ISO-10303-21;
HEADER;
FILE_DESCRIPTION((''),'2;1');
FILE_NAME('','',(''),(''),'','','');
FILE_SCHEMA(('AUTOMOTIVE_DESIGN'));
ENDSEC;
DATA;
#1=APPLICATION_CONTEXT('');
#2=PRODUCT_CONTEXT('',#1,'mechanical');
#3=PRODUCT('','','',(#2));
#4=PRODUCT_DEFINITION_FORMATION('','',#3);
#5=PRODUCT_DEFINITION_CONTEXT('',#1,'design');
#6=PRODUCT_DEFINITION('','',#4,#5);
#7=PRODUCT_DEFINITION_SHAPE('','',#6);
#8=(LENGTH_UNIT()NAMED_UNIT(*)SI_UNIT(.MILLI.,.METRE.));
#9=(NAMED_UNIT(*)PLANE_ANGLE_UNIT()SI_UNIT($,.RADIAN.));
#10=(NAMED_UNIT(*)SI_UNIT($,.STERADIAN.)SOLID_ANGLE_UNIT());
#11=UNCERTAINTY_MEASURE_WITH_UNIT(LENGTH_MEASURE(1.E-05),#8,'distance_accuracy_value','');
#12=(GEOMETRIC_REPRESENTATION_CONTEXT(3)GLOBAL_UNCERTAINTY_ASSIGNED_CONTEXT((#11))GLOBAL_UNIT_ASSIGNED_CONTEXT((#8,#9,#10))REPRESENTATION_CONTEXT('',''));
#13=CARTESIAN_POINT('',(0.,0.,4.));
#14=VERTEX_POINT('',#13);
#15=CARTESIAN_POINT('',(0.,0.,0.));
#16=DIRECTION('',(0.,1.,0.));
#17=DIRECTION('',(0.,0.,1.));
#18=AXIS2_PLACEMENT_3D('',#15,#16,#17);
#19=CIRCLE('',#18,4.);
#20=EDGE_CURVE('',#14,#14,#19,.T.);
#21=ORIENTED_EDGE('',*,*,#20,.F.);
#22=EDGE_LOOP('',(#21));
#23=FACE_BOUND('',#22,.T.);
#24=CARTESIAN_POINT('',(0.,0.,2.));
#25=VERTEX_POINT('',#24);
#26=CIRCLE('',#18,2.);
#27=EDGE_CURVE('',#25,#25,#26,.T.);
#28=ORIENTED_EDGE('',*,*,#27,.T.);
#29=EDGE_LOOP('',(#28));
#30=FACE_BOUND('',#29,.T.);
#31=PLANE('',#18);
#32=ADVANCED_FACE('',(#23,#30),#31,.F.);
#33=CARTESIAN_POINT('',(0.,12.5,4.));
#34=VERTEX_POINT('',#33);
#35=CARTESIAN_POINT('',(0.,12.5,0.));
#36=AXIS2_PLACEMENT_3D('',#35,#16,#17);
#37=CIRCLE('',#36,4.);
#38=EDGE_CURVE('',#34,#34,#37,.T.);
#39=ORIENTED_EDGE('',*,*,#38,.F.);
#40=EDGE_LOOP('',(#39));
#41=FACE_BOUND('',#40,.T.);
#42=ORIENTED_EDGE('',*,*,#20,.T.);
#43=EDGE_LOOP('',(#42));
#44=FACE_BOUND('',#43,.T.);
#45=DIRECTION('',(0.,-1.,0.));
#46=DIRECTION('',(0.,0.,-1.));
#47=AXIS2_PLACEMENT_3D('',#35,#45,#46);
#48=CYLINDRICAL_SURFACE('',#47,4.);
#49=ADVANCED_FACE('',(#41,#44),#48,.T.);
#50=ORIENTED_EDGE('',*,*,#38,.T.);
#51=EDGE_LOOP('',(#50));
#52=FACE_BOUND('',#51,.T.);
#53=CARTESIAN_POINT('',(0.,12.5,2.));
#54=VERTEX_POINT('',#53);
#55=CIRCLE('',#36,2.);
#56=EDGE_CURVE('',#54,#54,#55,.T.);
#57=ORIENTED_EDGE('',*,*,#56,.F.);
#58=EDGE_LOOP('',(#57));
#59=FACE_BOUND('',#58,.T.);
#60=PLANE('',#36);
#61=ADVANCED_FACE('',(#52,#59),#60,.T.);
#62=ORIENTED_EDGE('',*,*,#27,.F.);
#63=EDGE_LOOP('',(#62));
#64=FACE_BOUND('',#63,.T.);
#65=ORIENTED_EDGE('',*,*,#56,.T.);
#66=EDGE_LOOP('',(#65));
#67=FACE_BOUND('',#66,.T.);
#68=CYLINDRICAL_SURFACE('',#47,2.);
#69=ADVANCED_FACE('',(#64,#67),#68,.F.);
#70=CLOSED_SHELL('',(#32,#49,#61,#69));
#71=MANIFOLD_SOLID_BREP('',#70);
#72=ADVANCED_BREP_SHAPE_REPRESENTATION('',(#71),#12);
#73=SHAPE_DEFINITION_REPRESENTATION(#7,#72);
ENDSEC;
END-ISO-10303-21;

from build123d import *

# Parameters (mm, degrees)
SKETCH1_R           = 4
SKETCH1_R_2         = 2
BOSS_EXTRUDE1_DEPTH = 12.5


with BuildPart() as part:
    # Sketch1 → Boss-Extrude1 (new body)
    with BuildSketch(Plane(origin=(0, 0, 0), x_dir=(1, 0, 0), z_dir=(0, 1, 0))):
        Circle(SKETCH1_R)
        Circle(SKETCH1_R_2, mode=Mode.SUBTRACT)
    extrude(amount=BOSS_EXTRUDE1_DEPTH)


solid = part.part
